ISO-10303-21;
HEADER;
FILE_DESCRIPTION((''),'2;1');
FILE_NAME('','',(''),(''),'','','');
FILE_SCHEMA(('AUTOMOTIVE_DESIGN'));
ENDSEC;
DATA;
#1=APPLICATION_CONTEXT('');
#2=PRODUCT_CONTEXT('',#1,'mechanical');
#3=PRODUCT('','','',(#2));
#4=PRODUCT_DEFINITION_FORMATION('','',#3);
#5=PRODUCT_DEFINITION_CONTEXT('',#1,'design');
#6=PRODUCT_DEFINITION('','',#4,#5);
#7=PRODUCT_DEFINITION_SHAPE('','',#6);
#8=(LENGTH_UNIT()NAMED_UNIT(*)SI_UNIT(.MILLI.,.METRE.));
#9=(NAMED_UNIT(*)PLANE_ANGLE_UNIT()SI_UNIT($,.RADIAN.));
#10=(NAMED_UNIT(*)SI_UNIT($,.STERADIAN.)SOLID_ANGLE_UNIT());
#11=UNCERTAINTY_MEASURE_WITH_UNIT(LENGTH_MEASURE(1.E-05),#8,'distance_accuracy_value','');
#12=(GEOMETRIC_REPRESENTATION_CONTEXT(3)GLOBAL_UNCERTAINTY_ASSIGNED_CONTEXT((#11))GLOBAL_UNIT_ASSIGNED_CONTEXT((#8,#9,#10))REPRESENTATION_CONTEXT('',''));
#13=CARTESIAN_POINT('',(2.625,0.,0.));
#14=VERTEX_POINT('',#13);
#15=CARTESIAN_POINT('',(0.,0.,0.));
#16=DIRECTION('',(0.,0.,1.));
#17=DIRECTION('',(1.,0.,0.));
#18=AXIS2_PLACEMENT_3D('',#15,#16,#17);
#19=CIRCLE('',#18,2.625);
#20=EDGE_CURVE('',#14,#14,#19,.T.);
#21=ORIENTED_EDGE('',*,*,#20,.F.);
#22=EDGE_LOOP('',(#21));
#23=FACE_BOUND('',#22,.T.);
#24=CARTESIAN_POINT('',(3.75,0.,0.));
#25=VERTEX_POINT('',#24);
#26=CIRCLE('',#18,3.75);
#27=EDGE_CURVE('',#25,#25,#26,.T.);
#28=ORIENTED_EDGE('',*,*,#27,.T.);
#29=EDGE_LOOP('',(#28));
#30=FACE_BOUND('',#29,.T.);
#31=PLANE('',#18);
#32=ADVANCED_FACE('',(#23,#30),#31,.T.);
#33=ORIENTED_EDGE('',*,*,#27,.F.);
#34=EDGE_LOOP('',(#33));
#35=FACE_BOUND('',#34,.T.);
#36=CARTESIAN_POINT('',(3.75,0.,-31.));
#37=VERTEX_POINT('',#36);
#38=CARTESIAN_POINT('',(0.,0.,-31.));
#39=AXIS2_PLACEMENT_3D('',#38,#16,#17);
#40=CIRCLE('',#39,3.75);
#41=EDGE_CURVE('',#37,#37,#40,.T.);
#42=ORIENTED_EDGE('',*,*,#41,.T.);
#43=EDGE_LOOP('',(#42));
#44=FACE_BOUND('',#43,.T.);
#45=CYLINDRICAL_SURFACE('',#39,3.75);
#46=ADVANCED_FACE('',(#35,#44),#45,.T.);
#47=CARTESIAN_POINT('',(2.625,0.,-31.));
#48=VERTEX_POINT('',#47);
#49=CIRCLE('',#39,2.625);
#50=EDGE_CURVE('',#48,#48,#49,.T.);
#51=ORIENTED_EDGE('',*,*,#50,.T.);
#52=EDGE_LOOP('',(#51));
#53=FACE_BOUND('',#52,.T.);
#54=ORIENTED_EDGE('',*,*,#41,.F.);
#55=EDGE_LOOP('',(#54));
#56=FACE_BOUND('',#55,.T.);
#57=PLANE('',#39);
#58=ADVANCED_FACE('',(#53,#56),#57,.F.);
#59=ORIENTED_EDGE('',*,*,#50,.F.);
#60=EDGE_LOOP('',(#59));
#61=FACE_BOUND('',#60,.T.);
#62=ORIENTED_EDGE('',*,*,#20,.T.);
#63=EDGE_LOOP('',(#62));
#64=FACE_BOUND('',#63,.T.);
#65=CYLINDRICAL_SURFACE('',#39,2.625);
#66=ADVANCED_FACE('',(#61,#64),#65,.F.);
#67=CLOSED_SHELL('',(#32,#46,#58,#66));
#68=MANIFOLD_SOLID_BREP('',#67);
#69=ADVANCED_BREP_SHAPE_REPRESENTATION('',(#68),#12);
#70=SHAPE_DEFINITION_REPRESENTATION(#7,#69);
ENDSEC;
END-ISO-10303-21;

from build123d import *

# Parameters (mm, degrees)
CROQUIS1_R              = 3.75
CROQUIS1_R_2            = 2.625
SALIENTE_EXTRUIR1_DEPTH = 31


with BuildPart() as part:
    # Croquis1 → Saliente-Extruir1 (new body)
    with BuildSketch(Plane.XY):
        Circle(CROQUIS1_R)
        Circle(CROQUIS1_R_2, mode=Mode.SUBTRACT)
    extrude(amount=-SALIENTE_EXTRUIR1_DEPTH)


solid = part.part
